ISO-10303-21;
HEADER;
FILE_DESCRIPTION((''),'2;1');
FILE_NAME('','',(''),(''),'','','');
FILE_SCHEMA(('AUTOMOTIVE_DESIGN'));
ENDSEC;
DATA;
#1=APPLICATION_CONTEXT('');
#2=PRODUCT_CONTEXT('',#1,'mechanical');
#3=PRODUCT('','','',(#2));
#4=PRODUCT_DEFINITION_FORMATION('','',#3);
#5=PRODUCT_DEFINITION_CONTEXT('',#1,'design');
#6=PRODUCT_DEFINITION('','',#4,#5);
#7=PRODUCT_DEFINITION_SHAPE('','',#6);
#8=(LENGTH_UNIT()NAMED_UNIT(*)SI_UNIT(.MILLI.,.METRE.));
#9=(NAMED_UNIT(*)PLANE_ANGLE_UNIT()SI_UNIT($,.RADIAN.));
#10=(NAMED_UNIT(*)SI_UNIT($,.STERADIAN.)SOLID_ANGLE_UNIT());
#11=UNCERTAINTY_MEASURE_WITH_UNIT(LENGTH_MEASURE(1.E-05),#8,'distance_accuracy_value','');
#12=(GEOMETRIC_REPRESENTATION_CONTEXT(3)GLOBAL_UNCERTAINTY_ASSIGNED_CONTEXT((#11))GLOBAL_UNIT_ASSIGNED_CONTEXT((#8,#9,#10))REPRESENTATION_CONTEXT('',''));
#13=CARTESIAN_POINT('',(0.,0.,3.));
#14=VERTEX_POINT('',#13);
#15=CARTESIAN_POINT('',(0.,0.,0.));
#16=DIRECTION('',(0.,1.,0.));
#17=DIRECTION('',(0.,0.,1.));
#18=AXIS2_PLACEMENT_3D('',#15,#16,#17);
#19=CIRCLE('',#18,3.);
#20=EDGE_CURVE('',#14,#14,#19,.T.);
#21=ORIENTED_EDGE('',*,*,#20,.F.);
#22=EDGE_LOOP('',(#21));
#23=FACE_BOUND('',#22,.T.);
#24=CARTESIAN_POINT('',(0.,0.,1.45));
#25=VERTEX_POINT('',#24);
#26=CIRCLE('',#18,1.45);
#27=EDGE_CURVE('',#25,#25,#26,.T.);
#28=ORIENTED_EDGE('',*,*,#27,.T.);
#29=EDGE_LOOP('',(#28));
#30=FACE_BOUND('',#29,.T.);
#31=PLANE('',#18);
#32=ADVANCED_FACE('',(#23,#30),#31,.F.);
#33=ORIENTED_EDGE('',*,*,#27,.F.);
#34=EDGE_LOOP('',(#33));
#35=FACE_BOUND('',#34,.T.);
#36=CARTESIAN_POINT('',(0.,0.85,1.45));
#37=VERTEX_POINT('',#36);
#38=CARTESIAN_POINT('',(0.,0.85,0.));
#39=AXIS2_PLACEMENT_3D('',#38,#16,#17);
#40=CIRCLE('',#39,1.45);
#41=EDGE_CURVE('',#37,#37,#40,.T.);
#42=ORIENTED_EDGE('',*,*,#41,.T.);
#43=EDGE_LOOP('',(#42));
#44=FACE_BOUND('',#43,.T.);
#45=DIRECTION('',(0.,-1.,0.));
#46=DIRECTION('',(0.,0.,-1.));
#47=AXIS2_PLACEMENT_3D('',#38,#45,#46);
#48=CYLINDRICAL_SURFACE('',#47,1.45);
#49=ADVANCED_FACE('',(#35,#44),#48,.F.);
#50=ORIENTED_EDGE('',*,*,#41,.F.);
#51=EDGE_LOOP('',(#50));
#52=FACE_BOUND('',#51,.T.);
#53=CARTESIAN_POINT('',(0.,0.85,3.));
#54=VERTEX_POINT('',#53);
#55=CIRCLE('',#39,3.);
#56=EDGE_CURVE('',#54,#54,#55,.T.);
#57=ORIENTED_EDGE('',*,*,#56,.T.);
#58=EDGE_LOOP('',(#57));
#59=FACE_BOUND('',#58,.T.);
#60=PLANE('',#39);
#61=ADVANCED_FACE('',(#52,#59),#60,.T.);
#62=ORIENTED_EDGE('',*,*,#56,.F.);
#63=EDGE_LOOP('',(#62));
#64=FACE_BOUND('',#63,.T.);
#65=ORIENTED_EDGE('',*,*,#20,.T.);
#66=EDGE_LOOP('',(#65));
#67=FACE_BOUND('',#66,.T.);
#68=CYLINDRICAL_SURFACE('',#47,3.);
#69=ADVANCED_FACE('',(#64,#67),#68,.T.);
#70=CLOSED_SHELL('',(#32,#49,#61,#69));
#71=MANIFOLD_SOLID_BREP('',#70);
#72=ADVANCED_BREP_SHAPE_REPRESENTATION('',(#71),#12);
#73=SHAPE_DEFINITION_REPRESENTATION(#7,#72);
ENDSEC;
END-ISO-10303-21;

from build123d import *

# Parameters (mm, degrees)
CROQUIS_BASE_R          = 3
CROQUIS_BASE_R_2        = 1.45
SALIENTE_EXTRUIR1_DEPTH = 0.85


with BuildPart() as part:
    # Croquis base → Saliente-Extruir1 (new body)
    with BuildSketch(Plane(origin=(0, 0, 0), x_dir=(1, 0, 0), z_dir=(0, 1, 0))):
        with Locations(Location((0, 0, 0), (0, 0, 270))):
            Circle(CROQUIS_BASE_R)
        with Locations(Location((0, 0, 0), (0, 0, 270))):
            Circle(CROQUIS_BASE_R_2, mode=Mode.SUBTRACT)
    extrude(amount=SALIENTE_EXTRUIR1_DEPTH)


solid = part.part
